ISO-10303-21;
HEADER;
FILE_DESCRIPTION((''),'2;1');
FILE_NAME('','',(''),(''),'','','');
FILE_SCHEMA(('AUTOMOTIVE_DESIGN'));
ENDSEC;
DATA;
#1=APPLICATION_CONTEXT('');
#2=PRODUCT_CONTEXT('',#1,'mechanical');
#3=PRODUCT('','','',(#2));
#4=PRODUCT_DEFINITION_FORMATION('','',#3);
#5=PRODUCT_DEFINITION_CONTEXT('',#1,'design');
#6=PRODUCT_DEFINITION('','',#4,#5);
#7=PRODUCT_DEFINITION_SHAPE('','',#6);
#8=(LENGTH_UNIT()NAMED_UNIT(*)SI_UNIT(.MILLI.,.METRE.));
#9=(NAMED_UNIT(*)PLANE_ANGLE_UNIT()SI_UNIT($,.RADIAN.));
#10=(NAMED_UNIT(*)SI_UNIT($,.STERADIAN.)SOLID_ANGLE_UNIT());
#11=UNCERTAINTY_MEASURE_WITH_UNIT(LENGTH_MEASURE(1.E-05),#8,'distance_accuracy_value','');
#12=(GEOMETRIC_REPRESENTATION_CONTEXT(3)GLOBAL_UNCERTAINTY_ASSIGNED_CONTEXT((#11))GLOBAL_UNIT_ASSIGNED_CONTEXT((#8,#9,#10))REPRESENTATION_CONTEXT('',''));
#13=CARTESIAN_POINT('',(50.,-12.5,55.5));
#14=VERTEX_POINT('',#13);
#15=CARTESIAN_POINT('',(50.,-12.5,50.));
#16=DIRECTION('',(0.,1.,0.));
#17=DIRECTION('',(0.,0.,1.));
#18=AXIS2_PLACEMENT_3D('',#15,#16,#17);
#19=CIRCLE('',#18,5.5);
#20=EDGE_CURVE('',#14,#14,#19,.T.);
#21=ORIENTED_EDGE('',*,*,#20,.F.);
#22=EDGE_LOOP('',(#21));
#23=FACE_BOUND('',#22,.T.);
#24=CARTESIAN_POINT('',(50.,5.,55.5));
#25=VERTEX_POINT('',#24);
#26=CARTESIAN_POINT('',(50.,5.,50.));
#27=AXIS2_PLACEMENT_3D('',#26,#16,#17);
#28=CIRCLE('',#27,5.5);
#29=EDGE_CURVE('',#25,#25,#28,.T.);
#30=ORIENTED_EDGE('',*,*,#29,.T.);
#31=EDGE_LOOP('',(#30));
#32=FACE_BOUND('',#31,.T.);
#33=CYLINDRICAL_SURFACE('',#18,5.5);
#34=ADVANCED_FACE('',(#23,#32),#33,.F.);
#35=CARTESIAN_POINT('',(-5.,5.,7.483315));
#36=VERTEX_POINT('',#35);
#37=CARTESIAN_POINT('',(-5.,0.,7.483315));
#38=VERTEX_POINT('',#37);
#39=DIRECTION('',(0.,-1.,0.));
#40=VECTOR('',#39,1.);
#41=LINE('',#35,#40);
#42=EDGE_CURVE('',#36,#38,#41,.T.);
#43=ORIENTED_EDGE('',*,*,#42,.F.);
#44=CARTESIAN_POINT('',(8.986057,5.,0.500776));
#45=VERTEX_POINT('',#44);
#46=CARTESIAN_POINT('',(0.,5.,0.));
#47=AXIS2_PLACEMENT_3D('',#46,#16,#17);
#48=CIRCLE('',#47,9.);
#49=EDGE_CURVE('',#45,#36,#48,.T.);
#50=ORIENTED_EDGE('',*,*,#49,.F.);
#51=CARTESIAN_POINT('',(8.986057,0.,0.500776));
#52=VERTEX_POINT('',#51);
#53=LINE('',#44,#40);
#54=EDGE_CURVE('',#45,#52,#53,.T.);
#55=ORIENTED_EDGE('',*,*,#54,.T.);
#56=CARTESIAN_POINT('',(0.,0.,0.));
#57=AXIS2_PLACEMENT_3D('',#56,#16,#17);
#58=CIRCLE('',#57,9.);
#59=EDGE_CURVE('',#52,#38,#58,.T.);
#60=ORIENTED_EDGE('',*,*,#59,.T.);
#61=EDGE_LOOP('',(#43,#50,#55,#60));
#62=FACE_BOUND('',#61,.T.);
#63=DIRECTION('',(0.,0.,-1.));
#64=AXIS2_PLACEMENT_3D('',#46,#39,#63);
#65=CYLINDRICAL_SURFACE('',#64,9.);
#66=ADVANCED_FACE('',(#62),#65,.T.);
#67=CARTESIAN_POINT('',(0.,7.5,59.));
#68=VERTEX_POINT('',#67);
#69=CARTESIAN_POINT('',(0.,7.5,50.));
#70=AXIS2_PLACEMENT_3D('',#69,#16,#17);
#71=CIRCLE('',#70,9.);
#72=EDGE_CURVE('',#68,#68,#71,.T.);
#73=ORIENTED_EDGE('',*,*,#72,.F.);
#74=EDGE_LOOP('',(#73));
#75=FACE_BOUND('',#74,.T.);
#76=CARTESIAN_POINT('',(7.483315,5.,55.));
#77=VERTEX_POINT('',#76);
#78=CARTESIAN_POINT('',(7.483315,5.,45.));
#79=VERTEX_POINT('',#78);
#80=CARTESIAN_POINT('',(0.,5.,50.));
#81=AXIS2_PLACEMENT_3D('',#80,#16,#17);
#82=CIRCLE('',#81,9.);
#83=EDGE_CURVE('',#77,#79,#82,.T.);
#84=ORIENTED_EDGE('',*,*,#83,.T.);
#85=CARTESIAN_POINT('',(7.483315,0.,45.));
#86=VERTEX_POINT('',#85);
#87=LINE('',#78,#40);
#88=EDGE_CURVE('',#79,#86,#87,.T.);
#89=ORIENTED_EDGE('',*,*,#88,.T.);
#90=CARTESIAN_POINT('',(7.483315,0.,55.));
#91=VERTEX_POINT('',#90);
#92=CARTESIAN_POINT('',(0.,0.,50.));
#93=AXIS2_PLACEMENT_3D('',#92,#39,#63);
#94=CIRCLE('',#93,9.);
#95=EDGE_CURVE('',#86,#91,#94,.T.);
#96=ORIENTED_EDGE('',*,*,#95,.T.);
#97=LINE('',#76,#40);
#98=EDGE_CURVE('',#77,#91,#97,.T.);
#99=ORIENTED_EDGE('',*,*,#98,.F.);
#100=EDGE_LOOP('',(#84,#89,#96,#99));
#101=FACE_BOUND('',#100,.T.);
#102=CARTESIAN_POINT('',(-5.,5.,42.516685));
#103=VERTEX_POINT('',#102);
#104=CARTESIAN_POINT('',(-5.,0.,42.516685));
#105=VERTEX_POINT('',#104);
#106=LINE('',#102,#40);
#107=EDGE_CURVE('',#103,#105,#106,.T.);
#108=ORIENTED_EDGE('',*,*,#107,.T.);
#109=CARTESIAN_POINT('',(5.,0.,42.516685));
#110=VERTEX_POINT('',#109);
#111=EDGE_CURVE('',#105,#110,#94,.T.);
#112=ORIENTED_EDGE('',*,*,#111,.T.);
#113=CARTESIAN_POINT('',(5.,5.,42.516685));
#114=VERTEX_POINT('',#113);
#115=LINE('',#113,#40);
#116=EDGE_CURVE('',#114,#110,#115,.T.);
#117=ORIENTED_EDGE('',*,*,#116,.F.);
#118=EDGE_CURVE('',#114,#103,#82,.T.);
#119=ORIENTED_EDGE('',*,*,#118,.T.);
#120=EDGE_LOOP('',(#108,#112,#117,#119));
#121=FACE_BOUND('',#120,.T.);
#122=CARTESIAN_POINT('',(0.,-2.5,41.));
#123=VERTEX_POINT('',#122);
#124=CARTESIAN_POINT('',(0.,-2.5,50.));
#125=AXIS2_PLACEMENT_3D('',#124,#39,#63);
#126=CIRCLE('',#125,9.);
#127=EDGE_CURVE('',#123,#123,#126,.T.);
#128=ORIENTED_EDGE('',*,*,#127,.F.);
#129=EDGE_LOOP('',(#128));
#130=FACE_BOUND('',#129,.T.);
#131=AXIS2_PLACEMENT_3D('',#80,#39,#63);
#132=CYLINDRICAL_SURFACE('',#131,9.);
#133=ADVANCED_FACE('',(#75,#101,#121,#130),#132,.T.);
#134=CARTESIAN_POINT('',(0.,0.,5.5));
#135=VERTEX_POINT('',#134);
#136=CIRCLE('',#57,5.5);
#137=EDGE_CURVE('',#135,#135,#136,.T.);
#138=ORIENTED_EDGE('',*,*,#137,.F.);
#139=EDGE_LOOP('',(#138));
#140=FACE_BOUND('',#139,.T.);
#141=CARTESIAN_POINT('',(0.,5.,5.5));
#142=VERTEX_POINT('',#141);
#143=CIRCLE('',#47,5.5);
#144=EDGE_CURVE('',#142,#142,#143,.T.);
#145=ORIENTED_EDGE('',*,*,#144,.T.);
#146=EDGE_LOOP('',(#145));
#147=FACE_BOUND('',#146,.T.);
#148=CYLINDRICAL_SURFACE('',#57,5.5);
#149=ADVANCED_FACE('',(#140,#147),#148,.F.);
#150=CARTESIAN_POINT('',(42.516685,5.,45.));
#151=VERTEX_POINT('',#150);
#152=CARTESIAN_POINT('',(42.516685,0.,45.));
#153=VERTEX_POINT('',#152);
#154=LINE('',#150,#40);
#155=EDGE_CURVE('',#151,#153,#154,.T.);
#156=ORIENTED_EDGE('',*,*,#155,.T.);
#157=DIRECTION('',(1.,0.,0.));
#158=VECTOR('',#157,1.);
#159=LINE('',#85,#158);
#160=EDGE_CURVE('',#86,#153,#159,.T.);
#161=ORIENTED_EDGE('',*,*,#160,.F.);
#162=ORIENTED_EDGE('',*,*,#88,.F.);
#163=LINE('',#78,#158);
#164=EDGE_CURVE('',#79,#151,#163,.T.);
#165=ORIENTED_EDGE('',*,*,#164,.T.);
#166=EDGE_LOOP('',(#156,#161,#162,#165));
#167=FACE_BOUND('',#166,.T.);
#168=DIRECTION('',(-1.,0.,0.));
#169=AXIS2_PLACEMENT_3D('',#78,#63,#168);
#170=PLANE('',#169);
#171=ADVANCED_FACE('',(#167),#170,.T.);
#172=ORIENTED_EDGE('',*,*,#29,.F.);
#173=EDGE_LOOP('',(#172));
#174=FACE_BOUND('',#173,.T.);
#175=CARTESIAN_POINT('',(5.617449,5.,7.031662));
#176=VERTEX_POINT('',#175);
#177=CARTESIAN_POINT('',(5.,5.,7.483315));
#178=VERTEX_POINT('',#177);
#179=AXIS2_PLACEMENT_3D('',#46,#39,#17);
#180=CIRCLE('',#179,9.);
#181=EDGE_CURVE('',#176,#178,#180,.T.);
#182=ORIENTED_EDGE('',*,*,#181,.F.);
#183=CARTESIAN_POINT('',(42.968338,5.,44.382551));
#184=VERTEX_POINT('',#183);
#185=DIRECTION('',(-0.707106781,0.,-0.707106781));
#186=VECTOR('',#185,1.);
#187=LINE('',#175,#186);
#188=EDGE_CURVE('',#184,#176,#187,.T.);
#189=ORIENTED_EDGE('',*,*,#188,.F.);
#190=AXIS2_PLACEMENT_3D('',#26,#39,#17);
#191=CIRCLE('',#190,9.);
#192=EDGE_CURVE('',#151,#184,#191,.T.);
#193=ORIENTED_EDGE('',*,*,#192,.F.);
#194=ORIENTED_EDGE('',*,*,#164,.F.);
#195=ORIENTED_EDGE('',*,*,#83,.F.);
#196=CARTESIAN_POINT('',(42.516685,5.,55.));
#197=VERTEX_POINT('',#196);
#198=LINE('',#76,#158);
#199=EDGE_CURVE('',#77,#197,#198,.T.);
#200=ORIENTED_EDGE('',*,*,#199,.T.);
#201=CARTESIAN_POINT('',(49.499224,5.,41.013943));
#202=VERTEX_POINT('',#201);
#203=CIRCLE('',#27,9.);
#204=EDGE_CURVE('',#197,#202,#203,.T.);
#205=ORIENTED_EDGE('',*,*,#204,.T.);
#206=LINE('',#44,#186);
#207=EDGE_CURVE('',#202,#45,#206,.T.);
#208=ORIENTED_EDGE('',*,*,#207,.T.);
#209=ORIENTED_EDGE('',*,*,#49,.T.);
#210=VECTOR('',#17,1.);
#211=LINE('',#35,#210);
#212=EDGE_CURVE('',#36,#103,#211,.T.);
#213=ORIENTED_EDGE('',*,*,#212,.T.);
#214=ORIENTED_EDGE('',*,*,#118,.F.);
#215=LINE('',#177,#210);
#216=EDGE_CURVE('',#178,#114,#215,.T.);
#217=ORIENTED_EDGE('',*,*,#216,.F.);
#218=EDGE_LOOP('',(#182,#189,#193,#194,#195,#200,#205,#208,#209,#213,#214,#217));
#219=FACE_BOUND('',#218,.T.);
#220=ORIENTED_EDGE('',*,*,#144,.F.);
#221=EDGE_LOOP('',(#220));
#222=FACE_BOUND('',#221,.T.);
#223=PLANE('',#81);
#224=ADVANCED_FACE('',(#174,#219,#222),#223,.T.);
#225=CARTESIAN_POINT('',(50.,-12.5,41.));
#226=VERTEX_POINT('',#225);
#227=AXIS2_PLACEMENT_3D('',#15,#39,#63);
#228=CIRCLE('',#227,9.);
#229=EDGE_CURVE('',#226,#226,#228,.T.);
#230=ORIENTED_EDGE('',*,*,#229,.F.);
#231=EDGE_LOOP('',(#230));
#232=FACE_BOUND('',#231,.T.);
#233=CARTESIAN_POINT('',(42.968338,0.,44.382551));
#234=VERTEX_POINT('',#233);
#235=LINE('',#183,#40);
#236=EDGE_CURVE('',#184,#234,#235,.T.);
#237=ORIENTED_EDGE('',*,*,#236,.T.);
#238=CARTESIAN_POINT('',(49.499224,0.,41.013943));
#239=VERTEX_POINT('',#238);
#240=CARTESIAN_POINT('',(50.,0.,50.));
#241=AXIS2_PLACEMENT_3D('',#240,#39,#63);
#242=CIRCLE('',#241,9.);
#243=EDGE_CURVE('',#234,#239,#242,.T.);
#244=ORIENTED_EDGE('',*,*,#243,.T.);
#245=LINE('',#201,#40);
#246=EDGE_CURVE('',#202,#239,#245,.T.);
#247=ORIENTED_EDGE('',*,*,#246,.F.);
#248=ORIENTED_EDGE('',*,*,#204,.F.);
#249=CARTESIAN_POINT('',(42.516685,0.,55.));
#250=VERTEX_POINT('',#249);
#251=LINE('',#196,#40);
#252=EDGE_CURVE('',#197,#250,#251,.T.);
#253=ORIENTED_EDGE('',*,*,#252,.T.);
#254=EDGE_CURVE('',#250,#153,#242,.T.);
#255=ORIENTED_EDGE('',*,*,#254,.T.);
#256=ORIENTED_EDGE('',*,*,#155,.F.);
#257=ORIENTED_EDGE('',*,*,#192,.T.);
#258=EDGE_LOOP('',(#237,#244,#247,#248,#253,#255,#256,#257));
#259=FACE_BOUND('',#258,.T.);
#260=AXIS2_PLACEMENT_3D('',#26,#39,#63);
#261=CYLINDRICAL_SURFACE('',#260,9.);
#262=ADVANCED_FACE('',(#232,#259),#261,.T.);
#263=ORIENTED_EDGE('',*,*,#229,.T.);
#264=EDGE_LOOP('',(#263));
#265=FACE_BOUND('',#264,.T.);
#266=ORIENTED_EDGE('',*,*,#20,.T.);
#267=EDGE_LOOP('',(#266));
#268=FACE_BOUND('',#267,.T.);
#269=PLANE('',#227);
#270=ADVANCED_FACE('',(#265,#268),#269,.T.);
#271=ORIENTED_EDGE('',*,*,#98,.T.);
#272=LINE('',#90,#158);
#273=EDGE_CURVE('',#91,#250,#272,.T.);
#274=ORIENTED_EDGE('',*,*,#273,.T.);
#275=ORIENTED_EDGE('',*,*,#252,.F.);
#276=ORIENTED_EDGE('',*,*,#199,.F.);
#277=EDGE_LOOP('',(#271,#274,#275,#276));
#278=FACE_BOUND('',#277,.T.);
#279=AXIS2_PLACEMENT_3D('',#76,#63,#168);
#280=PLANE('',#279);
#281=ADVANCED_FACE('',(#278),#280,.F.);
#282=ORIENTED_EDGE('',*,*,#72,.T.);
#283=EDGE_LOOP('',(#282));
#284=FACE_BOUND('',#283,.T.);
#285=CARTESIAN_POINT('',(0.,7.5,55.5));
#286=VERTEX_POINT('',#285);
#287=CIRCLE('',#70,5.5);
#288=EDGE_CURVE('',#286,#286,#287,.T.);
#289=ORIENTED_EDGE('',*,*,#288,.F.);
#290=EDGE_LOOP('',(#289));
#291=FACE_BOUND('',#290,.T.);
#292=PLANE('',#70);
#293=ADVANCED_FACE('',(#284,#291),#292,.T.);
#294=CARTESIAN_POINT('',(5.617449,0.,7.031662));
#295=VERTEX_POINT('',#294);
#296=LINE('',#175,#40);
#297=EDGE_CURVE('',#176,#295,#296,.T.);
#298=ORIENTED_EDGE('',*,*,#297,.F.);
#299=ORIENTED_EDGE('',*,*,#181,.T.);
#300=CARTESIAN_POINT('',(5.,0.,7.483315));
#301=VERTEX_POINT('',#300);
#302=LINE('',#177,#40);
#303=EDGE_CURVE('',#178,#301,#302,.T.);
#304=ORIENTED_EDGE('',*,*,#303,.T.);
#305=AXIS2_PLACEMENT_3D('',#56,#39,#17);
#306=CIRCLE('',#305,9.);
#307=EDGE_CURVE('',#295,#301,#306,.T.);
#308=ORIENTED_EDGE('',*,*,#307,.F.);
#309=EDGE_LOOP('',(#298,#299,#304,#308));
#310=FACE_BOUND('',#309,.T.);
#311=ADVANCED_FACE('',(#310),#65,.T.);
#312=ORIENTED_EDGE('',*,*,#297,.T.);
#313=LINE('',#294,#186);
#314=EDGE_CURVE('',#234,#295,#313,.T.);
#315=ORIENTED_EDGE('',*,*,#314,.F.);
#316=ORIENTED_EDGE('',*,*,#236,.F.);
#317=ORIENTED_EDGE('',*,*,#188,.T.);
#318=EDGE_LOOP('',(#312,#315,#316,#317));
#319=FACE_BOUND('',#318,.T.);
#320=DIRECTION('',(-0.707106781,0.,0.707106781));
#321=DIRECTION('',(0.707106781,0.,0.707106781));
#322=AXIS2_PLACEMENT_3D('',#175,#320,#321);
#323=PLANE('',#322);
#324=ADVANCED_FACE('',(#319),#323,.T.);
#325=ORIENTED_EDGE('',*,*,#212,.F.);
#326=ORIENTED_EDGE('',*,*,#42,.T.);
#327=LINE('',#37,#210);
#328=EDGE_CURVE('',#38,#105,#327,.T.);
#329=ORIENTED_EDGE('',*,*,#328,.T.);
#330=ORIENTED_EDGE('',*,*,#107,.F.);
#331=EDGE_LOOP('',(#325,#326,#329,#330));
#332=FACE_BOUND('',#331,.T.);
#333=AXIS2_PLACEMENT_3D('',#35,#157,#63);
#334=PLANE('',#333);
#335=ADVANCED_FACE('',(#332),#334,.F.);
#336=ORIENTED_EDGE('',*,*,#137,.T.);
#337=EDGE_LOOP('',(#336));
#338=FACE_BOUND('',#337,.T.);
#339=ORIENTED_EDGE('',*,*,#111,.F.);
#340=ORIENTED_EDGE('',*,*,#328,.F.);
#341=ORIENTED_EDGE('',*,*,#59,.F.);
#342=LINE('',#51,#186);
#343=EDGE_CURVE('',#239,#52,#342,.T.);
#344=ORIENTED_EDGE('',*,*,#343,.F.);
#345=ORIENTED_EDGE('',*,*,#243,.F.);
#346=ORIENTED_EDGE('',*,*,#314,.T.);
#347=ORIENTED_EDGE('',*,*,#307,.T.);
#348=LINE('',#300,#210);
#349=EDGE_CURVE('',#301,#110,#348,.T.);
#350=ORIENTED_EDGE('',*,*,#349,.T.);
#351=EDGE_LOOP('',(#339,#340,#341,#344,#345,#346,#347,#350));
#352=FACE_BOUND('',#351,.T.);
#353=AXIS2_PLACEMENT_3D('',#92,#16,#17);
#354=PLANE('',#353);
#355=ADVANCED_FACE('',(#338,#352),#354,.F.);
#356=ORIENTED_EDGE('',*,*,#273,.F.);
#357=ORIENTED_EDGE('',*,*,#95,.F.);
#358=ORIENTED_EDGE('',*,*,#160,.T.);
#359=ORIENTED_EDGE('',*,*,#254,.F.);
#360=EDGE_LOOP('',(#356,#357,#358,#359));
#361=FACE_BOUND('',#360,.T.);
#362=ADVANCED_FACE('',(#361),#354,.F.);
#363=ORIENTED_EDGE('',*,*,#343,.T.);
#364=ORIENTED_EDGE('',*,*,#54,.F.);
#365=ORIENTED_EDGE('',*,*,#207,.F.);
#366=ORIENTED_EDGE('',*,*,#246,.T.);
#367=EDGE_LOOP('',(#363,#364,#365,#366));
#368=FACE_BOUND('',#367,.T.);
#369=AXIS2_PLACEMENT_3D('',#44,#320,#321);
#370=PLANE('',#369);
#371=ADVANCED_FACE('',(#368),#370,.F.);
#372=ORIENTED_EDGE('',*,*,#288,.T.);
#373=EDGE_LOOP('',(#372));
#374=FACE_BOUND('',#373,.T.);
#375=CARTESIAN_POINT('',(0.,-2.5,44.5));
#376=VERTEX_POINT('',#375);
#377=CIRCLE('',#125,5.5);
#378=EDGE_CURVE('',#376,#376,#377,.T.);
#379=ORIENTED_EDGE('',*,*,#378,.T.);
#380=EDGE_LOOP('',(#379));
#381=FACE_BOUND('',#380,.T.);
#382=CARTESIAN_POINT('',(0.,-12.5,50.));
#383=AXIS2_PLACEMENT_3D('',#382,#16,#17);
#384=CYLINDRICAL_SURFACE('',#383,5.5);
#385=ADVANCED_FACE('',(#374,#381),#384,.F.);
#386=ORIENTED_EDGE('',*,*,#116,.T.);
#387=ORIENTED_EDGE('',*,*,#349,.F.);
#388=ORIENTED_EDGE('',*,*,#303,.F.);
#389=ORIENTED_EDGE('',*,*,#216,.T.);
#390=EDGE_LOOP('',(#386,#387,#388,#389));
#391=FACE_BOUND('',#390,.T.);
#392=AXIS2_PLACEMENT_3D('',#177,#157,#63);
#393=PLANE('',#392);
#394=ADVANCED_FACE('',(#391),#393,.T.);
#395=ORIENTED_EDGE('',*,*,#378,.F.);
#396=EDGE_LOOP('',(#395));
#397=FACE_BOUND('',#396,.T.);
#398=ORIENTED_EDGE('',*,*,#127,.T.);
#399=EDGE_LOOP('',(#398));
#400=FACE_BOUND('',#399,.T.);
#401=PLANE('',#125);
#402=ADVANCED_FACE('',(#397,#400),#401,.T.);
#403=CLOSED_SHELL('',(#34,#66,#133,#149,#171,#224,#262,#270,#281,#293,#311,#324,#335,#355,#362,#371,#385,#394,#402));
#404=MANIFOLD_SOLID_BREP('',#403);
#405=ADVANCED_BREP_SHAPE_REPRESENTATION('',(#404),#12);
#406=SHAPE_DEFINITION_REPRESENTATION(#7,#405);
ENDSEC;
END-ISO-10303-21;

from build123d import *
from build123d.topology import SkipClean

# Parameters (mm, degrees)
BOSS_EXTRUDE1_DEPTH = 5
BOSS_EXTRUDE4_START = 12.5
SKETCH6_R           = 9
BOSS_EXTRUDE4_DEPTH = 12.5
SKETCH2_R           = 5.5
CUT_EXTRUDE1_DEPTH  = 5
BOSS_EXTRUDE2_START = 2.5
SKETCH3_R           = 9
BOSS_EXTRUDE2_DEPTH = 2.5
SKETCH4_R           = 9
BOSS_EXTRUDE3_DEPTH = 2.5
SKETCH5_R           = 5.5
CUT_EXTRUDE2_DEPTH  = 86.802097876
SKETCH7_R           = 5.5
CUT_EXTRUDE3_DEPTH  = 86.254032163


with BuildPart() as part:
    # Sketch1 → Boss-Extrude1 (new body)
    with BuildSketch(Plane(origin=(0, 0, 0), x_dir=(1, 0, 0), z_dir=(0, 1, 0))):
        with BuildLine():
            Line((-5, -7.483314774), (-5, -42.516685226))
            ThreePointArc((-5, -42.516685226), (-6.363961031, -56.363961031), (7.483314774, -55))
            Line((7.483314774, -55), (42.516685226, -55))
            ThreePointArc((42.516685226, -55), (58.052258964, -54.020090244), (49.499224197, -41.013942823))
            Line((49.499224197, -41.013942823), (8.986057177, -0.500775803))
            ThreePointArc((8.986057177, -0.500775803), (-4.020090244, 8.052258964), (-5, -7.483314774))
        make_face()
        with BuildLine():
            Line((5, -7.483314774), (5, -42.516685226))
            ThreePointArc((5, -42.516685226), (6.363961031, -43.636038969), (7.483314774, -45))
            Line((7.483314774, -45), (42.516685226, -45))
            ThreePointArc((42.516685226, -45), (42.735948163, -44.68647472), (42.968337898, -44.382551461))
            Line((42.968337898, -44.382551461), (5.617448539, -7.031662102))
            ThreePointArc((5.617448539, -7.031662102), (5.31352528, -7.264051837), (5, -7.483314774))
        make_face(mode=Mode.SUBTRACT)
    extrude(amount=BOSS_EXTRUDE1_DEPTH)

    # Sketch6 → Boss-Extrude4 (add)
    with SkipClean():  # the faces are left unmerged after this step: merging them gives an invalid solid
        with BuildSketch(Plane.XZ.offset(BOSS_EXTRUDE4_START)):
            with Locations(Location((50, 50, 0), (0, 0, 270))):
                Circle(SKETCH6_R)
        extrude(amount=-BOSS_EXTRUDE4_DEPTH)

    # Sketch2 → Cut-Extrude1 (cut)
    with SkipClean():  # the faces are left unmerged after this step: merging them gives an invalid solid
        with BuildSketch(Plane(origin=(0, 5, 0), x_dir=(1, 0, 0), z_dir=(0, 1, 0))):
            with Locations(Location((0, 0, 0), (0, 0, 270))):
                Circle(SKETCH2_R)
        extrude(amount=-CUT_EXTRUDE1_DEPTH, mode=Mode.SUBTRACT)

    # Sketch3 → Boss-Extrude2 (add)
    with SkipClean():  # the faces are left unmerged after this step: merging them gives an invalid solid
        with BuildSketch(Plane.XZ.offset(BOSS_EXTRUDE2_START)):
            with Locations(Location((0, 50, 0), (0, 0, 270))):
                Circle(SKETCH3_R)
        extrude(amount=-BOSS_EXTRUDE2_DEPTH)

    # Sketch4 → Boss-Extrude3 (add)
    with SkipClean():  # the faces are left unmerged after this step: merging them gives an invalid solid
        with BuildSketch(Plane(origin=(0, 5, 0), x_dir=(1, 0, 0), z_dir=(0, 1, 0))):
            with Locations(Location((0, -50, 0), (0, 0, 90))):
                Circle(SKETCH4_R)
        extrude(amount=BOSS_EXTRUDE3_DEPTH)

    # Sketch5 → Cut-Extrude2 (cut, through all)
    with SkipClean():  # the faces are left unmerged after this step: merging them gives an invalid solid
        with BuildSketch(Plane(origin=(0, 7.5, 0), x_dir=(1, 0, 0), z_dir=(0, 1, 0))):
            with Locations(Location((0, -50, 0), (0, 0, 270))):
                Circle(SKETCH5_R)
        extrude(amount=-CUT_EXTRUDE2_DEPTH, mode=Mode.SUBTRACT)

    # Sketch7 → Cut-Extrude3 (cut, through all)
    with SkipClean():  # the faces are left unmerged after this step: merging them gives an invalid solid
        with BuildSketch(Plane(origin=(0, 5, 0), x_dir=(1, 0, 0), z_dir=(0, 1, 0))):
            with Locations(Location((50, -50, 0), (0, 0, 270))):
                Circle(SKETCH7_R)
        extrude(amount=-CUT_EXTRUDE3_DEPTH, mode=Mode.SUBTRACT)


solid = part.part
